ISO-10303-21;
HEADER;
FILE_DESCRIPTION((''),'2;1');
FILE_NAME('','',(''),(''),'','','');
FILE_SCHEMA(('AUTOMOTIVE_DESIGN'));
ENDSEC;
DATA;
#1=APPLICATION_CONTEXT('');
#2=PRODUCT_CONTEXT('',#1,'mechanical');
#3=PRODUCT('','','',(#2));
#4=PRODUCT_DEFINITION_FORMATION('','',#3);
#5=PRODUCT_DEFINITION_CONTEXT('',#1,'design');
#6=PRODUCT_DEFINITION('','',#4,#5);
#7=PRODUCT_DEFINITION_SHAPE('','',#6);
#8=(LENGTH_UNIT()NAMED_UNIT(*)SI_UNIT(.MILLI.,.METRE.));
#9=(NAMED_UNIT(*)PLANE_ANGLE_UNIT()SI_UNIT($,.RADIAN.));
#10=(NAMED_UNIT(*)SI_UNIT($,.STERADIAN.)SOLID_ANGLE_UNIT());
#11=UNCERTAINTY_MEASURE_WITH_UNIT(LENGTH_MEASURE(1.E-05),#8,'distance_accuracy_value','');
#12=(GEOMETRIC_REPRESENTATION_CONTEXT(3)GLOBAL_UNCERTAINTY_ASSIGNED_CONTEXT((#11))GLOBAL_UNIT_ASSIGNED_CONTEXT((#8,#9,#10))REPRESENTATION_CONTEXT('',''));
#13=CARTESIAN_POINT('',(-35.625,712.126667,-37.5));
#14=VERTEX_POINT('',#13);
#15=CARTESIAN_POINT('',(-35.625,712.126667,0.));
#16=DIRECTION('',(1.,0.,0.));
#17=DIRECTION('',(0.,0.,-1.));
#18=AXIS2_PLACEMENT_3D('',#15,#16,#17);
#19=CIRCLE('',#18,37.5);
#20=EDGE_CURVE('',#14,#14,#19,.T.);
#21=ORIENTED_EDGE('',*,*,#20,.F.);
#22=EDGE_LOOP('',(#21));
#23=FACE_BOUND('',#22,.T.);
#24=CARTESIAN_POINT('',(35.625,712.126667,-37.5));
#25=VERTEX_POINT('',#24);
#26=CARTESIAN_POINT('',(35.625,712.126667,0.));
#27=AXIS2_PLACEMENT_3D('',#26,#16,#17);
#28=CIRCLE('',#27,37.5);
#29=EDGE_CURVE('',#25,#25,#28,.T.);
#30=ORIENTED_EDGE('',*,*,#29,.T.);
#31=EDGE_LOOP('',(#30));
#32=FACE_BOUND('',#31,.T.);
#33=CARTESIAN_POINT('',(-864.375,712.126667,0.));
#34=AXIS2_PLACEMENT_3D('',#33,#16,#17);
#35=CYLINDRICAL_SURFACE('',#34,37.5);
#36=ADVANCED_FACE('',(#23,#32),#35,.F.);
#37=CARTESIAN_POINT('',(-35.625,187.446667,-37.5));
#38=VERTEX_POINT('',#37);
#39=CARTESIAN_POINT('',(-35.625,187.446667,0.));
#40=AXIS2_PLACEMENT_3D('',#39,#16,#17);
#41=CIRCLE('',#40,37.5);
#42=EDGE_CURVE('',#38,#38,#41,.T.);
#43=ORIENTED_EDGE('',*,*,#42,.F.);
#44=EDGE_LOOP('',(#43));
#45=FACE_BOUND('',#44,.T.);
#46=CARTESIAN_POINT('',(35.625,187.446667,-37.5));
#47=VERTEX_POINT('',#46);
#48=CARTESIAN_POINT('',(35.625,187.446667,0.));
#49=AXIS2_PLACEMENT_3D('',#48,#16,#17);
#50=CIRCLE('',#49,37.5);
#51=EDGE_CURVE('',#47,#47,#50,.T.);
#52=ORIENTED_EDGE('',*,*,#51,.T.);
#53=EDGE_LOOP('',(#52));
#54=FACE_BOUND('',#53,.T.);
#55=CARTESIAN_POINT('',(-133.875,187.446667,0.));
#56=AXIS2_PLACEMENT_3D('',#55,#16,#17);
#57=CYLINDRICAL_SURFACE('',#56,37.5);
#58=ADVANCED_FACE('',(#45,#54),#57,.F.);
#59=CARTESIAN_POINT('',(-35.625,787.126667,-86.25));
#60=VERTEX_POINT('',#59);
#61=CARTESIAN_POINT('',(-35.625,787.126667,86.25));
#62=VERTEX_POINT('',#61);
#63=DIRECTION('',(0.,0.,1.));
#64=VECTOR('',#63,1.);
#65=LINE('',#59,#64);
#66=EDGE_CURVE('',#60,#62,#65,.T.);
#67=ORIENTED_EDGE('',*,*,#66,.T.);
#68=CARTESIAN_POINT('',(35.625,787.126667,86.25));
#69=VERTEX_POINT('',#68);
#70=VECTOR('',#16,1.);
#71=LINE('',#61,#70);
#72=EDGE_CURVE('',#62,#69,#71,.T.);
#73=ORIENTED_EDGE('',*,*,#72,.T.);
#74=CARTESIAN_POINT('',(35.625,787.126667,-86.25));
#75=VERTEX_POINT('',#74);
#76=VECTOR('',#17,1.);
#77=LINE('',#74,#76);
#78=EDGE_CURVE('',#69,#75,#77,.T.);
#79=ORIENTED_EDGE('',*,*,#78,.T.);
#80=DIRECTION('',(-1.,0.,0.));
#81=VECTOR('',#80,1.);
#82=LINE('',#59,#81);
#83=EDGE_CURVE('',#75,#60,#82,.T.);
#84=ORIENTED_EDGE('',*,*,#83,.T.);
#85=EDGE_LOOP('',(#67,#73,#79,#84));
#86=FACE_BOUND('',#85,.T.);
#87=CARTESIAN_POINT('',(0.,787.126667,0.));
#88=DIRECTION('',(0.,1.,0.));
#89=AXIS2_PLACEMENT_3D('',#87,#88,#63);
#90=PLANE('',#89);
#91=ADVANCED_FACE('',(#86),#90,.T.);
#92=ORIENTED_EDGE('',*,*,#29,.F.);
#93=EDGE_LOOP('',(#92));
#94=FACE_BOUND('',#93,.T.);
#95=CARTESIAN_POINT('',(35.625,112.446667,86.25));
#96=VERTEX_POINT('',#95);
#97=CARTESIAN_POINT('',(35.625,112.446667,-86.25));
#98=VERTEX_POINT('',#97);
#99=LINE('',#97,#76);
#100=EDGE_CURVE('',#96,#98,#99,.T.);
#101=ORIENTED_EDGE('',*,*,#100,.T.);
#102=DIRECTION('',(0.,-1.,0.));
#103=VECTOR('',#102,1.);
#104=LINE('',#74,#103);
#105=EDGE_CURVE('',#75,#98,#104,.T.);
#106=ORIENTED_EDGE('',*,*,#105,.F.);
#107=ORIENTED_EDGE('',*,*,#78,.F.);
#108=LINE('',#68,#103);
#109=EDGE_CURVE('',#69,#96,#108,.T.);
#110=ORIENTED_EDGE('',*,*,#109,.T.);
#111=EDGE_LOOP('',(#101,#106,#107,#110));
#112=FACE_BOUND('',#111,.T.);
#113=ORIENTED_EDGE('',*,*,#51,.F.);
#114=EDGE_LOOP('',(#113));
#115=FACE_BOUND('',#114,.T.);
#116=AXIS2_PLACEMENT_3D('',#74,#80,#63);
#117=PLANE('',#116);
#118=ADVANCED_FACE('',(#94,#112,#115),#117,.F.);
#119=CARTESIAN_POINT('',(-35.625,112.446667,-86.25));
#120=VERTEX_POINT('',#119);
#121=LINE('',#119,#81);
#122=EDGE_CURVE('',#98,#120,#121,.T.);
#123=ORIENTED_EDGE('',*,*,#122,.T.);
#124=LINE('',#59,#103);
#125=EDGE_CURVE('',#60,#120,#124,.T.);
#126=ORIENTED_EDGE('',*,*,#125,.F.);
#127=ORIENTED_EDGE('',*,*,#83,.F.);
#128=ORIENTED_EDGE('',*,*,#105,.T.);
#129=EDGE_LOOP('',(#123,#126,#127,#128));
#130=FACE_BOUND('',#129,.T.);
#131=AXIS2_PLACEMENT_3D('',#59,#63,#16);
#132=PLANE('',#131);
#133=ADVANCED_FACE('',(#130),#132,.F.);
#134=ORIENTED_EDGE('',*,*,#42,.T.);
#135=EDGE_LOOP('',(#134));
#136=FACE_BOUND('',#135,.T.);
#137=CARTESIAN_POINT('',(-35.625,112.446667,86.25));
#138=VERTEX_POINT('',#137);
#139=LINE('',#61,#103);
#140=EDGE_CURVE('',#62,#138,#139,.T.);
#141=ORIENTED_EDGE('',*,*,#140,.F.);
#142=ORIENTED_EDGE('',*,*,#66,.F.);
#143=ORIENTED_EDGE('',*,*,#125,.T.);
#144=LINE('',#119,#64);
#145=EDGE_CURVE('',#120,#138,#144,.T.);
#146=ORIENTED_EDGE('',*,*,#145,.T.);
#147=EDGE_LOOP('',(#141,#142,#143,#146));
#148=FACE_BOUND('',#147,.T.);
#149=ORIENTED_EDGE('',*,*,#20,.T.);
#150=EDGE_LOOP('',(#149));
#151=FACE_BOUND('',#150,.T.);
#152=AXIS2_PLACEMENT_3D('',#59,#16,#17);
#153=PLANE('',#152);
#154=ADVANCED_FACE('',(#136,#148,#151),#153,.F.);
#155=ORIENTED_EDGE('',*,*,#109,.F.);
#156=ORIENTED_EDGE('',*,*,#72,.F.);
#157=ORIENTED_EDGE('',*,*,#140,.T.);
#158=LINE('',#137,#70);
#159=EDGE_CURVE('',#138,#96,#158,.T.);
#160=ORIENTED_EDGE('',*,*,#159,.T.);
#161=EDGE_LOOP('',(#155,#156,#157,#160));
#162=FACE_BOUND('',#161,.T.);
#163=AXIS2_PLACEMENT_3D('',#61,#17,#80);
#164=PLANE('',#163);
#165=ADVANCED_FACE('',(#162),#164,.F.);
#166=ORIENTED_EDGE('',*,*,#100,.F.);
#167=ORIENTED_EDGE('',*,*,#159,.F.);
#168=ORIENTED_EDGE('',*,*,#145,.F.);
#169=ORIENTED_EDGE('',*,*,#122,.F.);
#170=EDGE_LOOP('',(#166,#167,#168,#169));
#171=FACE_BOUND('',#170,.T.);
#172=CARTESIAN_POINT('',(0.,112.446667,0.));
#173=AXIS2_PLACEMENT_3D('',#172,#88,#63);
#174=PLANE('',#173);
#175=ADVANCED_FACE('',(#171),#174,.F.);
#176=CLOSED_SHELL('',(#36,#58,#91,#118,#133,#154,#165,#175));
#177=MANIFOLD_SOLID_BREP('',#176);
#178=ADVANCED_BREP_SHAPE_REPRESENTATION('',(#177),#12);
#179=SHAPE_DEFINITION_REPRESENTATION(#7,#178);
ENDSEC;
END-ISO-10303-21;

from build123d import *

# Parameters (mm, degrees)
SKETCH1_W           = 95
SKETCH1_H           = 230
BOSS_EXTRUDE1_DEPTH = 899.573333333
SKETCH2_R           = 50
CUT_EXTRUDE1_DEPTH  = 1200
SKETCH5_R           = 50
CUT_EXTRUDE4_DEPTH  = 226
SCALE1_SCALE        = 0.75


with BuildPart() as part:
    # Sketch1 → Boss-Extrude1 (new body)
    with BuildSketch(Plane(origin=(0, 0, 0), x_dir=(1, 0, 0), z_dir=(0, 1, 0))):
        Rectangle(SKETCH1_W, SKETCH1_H)
    extrude(amount=BOSS_EXTRUDE1_DEPTH)

    # Sketch2 → Cut-Extrude1 (cut)
    with BuildSketch(Plane(origin=(47.5, 0, 0), x_dir=(0, 0, -1), z_dir=(1, 0, 0))):
        with Locations((0, 799.573333333)):
            Circle(SKETCH2_R)
    extrude(amount=-CUT_EXTRUDE1_DEPTH, mode=Mode.SUBTRACT)

    # Sketch5 → Cut-Extrude4 (cut)
    with BuildSketch(Plane(origin=(47.5, 0, 0), x_dir=(0, 0, -1), z_dir=(1, 0, 0))):
        with Locations((0, 100)):
            Circle(SKETCH5_R)
    extrude(amount=-CUT_EXTRUDE4_DEPTH, mode=Mode.SUBTRACT)


with BuildPart() as part_1:
    # Scale1: scaled about (0, 449.786666667, 0)
    add(part.part.scale(SCALE1_SCALE).moved(Location((0, 112.446666667, 0))))


solid = part_1.part
